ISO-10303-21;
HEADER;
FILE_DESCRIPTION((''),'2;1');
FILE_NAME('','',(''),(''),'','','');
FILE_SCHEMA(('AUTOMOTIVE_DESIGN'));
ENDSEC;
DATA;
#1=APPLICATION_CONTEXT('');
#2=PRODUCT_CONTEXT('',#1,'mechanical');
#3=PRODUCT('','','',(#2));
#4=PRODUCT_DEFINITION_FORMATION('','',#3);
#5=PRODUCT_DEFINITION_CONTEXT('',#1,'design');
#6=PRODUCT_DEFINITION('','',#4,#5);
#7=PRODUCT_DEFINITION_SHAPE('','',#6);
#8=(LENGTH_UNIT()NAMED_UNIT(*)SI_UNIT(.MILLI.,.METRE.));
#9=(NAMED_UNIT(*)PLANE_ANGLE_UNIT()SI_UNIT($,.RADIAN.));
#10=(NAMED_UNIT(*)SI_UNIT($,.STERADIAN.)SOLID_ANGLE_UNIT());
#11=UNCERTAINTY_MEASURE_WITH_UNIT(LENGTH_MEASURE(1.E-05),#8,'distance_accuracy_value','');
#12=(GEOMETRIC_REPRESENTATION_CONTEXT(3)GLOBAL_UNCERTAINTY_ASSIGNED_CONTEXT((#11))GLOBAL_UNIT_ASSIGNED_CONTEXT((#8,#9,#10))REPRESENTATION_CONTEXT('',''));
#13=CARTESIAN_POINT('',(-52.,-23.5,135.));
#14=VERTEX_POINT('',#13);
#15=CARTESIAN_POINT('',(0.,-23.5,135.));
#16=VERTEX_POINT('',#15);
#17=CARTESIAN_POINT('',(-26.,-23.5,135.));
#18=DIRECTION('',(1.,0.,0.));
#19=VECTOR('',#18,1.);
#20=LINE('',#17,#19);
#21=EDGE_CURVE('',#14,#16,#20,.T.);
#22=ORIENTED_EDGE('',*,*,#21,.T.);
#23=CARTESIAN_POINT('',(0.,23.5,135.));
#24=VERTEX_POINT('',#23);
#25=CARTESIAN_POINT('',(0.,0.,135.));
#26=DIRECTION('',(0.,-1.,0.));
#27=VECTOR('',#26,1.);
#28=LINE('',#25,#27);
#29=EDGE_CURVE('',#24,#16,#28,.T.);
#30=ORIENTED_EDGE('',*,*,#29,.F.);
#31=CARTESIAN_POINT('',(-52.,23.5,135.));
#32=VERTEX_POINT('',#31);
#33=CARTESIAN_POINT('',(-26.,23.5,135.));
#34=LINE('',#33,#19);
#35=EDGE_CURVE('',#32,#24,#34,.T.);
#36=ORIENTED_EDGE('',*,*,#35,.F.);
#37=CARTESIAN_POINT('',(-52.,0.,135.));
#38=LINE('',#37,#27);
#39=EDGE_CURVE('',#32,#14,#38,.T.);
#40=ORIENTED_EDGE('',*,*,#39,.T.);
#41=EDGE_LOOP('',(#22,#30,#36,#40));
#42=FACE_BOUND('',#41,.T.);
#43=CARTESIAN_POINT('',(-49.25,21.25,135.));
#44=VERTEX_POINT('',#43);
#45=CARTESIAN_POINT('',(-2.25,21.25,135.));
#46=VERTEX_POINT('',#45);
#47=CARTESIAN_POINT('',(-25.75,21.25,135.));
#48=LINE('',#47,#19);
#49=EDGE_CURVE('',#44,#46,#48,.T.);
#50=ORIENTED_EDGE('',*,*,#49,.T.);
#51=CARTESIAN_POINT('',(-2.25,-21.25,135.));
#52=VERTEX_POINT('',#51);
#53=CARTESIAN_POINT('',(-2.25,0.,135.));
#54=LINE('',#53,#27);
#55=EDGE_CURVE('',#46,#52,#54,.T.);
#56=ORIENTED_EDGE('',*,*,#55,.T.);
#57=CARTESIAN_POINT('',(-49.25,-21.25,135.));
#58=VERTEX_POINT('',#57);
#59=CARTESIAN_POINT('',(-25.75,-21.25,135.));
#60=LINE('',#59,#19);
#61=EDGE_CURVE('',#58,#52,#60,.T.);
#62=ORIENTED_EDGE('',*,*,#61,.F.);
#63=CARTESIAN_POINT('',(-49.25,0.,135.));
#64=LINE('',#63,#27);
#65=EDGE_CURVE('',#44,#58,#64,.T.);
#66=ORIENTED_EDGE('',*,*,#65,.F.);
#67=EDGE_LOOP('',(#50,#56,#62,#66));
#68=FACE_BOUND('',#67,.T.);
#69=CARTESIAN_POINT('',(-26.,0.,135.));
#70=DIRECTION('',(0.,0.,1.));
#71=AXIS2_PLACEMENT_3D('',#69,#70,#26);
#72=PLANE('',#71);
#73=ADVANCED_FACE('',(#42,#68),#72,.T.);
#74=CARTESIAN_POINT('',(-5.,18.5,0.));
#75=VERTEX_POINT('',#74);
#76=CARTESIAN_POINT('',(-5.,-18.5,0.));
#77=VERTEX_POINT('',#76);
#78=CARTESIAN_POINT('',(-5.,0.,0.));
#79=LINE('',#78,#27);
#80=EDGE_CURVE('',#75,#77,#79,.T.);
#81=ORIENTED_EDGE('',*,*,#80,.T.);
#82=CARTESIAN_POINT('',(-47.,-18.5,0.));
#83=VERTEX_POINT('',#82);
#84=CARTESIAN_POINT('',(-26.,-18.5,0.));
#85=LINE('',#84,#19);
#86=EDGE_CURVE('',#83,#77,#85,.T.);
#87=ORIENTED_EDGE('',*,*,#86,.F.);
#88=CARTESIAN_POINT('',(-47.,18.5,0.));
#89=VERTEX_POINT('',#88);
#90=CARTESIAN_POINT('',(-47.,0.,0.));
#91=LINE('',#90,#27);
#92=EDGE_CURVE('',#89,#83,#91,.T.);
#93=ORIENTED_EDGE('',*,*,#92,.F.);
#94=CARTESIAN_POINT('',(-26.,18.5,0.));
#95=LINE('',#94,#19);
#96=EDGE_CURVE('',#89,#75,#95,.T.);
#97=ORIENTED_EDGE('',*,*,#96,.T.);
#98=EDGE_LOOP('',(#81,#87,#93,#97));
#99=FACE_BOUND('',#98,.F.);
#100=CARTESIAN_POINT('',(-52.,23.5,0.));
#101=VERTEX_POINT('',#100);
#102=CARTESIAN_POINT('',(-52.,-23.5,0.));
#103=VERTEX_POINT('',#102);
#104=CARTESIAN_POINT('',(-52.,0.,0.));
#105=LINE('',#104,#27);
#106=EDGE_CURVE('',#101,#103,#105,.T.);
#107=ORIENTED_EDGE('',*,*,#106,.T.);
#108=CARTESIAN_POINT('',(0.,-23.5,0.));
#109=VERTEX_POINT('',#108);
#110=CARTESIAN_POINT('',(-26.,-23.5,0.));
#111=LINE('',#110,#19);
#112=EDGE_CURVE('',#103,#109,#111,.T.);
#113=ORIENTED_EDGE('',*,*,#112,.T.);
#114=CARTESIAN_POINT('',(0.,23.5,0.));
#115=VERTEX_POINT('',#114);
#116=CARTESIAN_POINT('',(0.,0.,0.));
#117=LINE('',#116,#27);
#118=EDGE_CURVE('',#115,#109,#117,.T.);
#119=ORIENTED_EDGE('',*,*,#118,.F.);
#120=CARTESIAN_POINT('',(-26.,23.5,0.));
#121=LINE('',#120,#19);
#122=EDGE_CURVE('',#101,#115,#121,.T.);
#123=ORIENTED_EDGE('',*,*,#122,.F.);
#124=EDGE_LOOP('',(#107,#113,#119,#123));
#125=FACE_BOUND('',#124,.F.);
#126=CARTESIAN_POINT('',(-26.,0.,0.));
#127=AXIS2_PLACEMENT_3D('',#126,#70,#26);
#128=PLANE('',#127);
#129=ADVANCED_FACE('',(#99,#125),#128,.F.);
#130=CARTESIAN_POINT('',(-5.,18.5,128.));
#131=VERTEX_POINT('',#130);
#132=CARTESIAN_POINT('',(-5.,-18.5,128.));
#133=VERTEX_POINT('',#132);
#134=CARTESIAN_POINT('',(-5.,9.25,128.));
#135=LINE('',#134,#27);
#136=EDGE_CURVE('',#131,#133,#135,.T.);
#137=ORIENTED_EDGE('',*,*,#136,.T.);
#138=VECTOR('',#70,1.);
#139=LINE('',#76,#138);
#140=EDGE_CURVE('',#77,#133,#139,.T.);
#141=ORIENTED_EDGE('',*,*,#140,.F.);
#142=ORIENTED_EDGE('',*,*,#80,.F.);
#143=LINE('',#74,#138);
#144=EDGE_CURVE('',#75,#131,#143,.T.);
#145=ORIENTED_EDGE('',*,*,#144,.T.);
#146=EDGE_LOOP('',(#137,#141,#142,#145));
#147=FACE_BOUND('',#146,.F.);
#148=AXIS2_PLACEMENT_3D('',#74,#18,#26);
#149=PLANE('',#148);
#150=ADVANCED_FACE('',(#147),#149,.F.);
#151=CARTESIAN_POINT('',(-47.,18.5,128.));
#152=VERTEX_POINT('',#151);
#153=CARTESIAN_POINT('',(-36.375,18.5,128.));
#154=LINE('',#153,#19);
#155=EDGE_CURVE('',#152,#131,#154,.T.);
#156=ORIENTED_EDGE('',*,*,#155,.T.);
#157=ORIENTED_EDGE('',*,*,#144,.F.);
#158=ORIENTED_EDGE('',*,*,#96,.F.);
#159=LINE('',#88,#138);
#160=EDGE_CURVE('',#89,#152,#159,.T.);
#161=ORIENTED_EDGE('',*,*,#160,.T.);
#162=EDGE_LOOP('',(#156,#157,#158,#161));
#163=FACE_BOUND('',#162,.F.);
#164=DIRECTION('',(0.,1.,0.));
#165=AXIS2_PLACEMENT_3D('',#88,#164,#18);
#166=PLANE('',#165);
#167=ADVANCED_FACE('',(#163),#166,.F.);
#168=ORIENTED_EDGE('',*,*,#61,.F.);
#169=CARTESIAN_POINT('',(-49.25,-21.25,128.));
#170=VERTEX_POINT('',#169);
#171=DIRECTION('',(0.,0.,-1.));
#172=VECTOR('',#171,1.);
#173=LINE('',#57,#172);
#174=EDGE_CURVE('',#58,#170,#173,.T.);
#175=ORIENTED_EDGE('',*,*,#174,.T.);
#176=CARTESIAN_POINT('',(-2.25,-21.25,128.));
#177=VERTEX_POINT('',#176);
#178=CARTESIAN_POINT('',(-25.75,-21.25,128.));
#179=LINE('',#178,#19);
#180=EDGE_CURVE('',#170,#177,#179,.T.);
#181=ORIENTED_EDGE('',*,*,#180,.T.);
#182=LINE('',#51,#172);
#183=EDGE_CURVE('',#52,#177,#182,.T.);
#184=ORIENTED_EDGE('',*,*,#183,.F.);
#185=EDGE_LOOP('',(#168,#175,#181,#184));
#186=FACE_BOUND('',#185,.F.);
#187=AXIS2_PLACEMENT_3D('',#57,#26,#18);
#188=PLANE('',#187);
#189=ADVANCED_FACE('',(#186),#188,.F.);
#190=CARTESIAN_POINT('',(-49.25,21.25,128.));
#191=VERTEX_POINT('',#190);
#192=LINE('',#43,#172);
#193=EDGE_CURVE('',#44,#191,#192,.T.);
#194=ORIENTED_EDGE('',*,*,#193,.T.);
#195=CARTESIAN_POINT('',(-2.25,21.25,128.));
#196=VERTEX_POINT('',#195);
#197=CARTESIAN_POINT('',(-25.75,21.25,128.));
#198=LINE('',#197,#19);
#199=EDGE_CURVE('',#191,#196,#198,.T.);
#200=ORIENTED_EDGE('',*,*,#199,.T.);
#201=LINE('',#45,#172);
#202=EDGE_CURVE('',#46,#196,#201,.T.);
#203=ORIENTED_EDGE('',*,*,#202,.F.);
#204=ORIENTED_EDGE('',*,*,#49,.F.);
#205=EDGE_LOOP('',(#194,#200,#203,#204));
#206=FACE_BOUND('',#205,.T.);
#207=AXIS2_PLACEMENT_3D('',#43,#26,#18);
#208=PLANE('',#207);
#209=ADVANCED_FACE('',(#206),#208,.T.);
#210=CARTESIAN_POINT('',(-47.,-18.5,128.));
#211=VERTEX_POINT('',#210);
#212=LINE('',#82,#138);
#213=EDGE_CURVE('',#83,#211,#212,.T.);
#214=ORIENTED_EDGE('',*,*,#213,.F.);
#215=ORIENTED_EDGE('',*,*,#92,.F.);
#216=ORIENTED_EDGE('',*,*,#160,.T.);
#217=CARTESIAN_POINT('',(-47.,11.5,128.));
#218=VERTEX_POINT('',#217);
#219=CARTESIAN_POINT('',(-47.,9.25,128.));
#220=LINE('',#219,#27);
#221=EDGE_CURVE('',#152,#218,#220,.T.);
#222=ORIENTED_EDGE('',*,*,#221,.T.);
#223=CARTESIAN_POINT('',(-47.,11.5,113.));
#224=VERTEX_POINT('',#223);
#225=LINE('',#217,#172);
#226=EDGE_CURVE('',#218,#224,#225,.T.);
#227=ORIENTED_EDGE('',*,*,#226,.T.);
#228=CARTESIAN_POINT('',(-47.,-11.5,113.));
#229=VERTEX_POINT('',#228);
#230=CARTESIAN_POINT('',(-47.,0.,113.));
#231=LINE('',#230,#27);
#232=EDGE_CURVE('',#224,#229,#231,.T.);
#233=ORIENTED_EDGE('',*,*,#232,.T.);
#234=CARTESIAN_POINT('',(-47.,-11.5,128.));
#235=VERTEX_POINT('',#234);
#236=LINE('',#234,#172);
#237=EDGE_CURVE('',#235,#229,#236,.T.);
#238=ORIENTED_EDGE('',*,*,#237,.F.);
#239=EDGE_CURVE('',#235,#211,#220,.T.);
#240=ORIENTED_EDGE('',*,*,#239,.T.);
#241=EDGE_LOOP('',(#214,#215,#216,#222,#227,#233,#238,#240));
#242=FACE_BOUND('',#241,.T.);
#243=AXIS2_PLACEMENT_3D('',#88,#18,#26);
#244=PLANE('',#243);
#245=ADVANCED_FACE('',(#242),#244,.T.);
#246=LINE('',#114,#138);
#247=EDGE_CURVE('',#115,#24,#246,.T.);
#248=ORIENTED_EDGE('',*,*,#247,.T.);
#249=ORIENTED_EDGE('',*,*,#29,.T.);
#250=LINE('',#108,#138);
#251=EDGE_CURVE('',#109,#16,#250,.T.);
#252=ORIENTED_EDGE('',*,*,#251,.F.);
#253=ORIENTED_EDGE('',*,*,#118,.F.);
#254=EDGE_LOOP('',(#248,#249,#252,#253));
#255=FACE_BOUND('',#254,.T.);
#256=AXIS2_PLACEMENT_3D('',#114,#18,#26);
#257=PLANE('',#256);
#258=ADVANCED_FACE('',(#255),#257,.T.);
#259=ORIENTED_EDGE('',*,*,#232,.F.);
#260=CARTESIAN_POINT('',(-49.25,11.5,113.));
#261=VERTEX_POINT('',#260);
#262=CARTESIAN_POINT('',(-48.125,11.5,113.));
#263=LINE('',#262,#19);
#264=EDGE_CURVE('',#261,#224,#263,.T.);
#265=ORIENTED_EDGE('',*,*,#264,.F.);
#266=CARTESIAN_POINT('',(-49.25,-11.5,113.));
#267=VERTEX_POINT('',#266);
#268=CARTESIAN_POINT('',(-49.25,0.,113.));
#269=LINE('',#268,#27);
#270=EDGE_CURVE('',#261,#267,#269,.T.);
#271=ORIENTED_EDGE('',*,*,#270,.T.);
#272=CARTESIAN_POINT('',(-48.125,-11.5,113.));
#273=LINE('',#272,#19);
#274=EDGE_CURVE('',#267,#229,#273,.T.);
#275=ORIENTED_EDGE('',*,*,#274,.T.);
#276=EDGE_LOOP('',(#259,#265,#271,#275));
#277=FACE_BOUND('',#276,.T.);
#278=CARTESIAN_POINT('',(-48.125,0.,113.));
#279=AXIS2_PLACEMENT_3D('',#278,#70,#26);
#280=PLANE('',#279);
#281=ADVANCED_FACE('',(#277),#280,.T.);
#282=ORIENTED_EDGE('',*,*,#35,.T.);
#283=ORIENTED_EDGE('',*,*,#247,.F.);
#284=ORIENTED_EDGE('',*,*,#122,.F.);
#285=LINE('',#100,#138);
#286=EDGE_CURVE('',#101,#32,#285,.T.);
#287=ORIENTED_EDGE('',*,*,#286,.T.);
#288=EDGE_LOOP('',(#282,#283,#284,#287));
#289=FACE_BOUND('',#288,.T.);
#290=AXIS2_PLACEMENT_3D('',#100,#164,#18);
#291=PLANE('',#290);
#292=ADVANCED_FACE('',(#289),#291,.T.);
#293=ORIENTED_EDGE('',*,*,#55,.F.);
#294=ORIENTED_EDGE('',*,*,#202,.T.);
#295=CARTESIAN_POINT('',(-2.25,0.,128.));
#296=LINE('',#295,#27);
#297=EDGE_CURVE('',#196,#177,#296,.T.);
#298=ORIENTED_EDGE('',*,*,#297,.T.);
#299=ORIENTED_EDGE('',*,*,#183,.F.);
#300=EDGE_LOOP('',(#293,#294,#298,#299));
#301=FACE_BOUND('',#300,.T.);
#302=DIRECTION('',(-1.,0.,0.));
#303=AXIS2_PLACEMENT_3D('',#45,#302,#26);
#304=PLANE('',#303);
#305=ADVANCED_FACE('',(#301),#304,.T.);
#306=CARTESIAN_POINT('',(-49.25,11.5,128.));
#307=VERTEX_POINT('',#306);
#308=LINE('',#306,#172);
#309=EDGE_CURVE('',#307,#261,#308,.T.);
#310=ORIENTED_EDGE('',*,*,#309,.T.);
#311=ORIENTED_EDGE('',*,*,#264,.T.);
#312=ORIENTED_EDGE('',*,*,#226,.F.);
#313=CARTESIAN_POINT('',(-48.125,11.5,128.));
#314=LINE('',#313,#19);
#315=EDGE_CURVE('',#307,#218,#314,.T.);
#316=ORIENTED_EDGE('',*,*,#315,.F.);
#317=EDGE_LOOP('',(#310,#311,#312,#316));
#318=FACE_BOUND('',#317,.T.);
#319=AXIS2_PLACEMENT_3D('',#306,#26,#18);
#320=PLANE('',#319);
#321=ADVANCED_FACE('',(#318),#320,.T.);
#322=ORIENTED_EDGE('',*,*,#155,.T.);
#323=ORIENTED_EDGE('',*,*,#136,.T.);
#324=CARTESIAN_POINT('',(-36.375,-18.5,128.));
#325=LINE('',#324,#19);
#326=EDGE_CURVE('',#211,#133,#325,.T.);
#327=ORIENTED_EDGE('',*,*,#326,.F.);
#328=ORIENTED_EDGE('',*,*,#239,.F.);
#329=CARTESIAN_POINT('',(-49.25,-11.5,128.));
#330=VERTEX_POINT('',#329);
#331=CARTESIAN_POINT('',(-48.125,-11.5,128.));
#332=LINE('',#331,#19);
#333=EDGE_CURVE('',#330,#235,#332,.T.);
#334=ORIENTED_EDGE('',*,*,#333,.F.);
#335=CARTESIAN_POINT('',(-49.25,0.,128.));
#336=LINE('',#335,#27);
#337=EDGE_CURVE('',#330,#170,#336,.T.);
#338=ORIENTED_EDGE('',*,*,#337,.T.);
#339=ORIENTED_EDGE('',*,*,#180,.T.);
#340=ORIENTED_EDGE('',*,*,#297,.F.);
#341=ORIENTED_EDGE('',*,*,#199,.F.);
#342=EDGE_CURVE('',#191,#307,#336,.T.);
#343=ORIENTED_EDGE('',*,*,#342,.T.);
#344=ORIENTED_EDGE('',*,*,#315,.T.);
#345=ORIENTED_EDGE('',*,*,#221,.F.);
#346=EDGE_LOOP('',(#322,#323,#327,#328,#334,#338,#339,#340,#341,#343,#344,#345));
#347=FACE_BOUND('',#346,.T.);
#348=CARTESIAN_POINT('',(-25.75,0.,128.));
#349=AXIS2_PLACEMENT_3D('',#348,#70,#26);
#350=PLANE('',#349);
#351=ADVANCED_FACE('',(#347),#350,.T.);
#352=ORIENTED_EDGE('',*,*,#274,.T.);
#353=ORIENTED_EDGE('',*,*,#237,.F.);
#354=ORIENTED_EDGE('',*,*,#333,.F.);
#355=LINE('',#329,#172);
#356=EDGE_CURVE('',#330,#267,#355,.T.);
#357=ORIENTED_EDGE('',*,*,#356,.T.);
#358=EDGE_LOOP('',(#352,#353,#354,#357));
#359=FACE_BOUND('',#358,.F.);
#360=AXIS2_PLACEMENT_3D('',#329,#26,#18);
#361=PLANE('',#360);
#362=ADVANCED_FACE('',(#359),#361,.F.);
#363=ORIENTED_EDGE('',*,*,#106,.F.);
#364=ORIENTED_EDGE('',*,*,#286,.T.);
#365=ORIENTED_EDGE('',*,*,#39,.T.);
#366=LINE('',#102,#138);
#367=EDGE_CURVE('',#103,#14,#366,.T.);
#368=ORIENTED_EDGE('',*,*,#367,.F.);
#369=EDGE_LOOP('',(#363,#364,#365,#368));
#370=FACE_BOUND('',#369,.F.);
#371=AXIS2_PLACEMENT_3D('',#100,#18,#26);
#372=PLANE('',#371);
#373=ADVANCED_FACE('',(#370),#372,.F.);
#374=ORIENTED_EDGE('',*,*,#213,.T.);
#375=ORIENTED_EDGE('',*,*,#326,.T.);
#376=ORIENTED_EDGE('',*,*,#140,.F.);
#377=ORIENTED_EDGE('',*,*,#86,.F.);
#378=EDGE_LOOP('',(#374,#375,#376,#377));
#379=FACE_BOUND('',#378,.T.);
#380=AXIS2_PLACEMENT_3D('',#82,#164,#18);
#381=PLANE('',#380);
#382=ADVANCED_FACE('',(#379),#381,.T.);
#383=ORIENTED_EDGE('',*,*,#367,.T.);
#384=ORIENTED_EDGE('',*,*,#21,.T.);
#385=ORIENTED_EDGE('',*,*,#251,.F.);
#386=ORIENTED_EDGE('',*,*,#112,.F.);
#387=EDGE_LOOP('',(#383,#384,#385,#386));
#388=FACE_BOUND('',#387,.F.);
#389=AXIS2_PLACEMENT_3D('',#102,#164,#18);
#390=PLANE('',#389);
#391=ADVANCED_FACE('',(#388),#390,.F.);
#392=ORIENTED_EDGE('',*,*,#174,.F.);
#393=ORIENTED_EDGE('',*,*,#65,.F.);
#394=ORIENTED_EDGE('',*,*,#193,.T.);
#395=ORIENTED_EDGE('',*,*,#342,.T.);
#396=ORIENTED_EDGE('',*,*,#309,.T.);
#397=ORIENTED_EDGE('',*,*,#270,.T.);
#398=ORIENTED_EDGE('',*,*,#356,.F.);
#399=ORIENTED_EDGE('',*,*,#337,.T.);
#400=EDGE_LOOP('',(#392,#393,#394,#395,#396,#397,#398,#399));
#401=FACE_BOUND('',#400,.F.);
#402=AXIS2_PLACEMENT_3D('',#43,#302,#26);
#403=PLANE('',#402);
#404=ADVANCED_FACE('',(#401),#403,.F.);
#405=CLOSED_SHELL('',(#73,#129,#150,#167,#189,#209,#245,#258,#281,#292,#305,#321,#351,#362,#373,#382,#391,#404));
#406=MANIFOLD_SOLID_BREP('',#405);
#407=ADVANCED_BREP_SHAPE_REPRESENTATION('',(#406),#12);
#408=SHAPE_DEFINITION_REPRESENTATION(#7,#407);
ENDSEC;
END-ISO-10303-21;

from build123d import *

# Parameters (mm, degrees)
SKETCH126_W             = 47
SKETCH126_H             = 52
SKETCH126_W_2           = 37
SKETCH126_H_2           = 42
PAD065_DEPTH            = 135
SKETCH128_W             = 42.5
SKETCH128_H             = 47
POCKET055_DEPTH         = 7
SKETCH124_W             = 23
SKETCH124_H             = 2.25
POCKET056_DEPTH         = 15
BODY036_PLACEMENT_ANGLE = -90


with BuildPart() as part:
    # Sketch126 → Pad065 (new body)
    with BuildSketch(Plane.XY):
        with Locations((0, -26)):
            Rectangle(SKETCH126_W, SKETCH126_H)
        with Locations((0, -26)):
            Rectangle(SKETCH126_W_2, SKETCH126_H_2, mode=Mode.SUBTRACT)
    extrude(amount=PAD065_DEPTH)

    # Sketch128 (on Face10 of Pad065) → Pocket055 (cut)
    with BuildSketch(Plane.XY.offset(135)):
        with Locations((0, -25.75)):
            Rectangle(SKETCH128_W, SKETCH128_H)
    extrude(amount=-POCKET055_DEPTH, mode=Mode.SUBTRACT)

    # Sketch124 (on Face15 of Pocket055) → Pocket056 (cut)
    with BuildSketch(Plane.XY.offset(128)):
        with Locations((0, -48.125)):
            Rectangle(SKETCH124_W, SKETCH124_H)
    extrude(amount=-POCKET056_DEPTH, mode=Mode.SUBTRACT)


with BuildPart() as part_1:
    # Body036 placement: moved
    add(part.part.rotate(Axis((0, 0, 0), (0, 0, 1)), BODY036_PLACEMENT_ANGLE))


solid = part_1.part
